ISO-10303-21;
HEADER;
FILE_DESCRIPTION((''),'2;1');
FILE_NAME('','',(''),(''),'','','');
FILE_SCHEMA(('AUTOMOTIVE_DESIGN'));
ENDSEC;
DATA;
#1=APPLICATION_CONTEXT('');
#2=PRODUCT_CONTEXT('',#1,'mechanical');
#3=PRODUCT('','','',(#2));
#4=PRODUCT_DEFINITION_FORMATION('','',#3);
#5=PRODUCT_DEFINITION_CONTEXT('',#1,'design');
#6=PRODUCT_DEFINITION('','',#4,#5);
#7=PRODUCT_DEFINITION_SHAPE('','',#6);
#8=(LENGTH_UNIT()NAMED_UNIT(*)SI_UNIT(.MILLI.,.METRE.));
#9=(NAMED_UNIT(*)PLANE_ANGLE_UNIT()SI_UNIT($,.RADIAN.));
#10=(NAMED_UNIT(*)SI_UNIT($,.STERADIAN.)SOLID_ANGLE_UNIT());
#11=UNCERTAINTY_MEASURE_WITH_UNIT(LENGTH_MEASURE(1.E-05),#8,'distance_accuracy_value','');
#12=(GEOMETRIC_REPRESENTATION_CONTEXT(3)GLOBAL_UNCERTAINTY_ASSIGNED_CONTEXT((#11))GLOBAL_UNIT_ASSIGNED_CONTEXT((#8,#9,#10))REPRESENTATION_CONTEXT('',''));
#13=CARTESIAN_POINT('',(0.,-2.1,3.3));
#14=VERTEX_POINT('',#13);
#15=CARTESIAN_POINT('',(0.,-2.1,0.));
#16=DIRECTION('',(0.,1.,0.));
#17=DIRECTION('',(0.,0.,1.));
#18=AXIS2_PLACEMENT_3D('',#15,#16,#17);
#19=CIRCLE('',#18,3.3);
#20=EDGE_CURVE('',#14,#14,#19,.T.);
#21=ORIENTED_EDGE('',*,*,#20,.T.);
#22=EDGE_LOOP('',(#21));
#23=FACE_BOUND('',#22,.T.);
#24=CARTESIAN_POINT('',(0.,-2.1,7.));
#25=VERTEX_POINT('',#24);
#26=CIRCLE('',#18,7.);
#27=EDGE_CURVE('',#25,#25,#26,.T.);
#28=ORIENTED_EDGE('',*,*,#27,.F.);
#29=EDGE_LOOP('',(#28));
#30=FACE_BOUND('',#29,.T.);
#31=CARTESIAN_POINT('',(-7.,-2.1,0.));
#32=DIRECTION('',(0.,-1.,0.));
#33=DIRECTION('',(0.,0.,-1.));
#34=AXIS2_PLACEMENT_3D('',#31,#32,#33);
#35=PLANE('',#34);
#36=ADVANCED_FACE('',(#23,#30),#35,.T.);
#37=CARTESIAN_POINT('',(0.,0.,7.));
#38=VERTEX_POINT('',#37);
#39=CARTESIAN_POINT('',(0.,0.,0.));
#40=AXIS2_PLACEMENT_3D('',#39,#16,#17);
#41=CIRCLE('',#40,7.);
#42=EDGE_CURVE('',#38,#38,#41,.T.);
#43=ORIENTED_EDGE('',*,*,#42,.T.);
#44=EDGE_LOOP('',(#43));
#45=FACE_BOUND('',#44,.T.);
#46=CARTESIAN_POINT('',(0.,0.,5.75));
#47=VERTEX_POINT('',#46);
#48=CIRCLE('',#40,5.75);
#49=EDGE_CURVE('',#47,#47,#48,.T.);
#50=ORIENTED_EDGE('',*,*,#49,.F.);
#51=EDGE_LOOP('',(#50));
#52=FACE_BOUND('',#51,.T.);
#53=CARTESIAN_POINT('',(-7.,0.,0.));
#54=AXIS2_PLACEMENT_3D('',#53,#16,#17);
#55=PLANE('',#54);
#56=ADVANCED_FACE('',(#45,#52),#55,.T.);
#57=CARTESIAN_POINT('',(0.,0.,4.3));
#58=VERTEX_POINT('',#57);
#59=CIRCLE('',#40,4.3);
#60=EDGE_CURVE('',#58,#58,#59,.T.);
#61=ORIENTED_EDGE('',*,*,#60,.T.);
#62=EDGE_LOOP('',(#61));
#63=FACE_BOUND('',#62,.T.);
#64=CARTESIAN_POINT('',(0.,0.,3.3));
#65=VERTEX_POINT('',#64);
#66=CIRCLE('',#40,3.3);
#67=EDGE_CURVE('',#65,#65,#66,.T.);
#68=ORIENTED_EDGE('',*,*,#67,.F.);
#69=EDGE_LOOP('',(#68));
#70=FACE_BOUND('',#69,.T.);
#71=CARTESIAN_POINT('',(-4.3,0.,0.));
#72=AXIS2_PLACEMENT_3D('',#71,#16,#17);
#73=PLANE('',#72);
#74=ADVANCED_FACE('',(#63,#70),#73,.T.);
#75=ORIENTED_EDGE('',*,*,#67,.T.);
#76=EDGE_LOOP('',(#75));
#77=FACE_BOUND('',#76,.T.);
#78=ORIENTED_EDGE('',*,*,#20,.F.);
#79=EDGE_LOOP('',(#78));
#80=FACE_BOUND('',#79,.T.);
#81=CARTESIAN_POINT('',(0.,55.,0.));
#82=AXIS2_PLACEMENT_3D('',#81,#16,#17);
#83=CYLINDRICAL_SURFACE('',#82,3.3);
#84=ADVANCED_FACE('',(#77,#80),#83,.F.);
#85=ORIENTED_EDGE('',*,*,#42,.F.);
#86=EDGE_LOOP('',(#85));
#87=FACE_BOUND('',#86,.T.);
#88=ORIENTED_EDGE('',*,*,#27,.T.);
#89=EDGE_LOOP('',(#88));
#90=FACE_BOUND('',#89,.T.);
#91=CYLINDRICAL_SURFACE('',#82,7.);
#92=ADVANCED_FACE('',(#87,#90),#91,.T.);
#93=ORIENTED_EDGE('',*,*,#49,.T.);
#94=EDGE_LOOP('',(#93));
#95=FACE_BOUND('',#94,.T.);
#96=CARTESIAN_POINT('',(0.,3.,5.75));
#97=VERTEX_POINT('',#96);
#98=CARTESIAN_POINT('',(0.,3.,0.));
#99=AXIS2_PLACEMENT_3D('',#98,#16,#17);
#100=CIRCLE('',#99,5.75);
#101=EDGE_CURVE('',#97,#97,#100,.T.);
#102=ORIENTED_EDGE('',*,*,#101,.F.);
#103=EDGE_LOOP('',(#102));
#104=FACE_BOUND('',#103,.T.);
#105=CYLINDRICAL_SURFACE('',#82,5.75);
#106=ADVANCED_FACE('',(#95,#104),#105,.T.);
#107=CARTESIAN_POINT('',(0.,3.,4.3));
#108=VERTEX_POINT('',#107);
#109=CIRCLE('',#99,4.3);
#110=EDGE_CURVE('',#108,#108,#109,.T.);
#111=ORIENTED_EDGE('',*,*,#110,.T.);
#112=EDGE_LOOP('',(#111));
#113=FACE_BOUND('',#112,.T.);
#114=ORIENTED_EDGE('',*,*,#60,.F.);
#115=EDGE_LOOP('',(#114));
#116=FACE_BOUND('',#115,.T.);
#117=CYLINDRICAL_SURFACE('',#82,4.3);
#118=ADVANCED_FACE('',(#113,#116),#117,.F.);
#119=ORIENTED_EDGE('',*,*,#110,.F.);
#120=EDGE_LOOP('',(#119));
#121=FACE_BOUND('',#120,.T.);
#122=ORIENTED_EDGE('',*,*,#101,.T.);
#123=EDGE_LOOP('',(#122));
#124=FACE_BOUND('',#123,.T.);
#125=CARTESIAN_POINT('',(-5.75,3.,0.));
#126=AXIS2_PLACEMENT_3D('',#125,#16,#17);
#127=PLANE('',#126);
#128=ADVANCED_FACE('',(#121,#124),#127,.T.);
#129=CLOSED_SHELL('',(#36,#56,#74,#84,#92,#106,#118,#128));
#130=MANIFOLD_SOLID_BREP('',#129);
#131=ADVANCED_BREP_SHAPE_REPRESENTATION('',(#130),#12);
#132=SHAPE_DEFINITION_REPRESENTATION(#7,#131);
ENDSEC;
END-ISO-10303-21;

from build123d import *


with BuildPart() as part:
    # Sketch1 → Revolve1 (revolve)
    with BuildSketch(Plane.XY):
        Polygon((-5.75, 3), (-4.3, 3), (-4.3, 0), (-3.3, 0), (-3.3, -2.1), (-7, -2.1), (-7, 0), (-5.75, 0), align=None)
    revolve(axis=Axis((0, 55, 0), (0, -1, 0)))


solid = part.part
